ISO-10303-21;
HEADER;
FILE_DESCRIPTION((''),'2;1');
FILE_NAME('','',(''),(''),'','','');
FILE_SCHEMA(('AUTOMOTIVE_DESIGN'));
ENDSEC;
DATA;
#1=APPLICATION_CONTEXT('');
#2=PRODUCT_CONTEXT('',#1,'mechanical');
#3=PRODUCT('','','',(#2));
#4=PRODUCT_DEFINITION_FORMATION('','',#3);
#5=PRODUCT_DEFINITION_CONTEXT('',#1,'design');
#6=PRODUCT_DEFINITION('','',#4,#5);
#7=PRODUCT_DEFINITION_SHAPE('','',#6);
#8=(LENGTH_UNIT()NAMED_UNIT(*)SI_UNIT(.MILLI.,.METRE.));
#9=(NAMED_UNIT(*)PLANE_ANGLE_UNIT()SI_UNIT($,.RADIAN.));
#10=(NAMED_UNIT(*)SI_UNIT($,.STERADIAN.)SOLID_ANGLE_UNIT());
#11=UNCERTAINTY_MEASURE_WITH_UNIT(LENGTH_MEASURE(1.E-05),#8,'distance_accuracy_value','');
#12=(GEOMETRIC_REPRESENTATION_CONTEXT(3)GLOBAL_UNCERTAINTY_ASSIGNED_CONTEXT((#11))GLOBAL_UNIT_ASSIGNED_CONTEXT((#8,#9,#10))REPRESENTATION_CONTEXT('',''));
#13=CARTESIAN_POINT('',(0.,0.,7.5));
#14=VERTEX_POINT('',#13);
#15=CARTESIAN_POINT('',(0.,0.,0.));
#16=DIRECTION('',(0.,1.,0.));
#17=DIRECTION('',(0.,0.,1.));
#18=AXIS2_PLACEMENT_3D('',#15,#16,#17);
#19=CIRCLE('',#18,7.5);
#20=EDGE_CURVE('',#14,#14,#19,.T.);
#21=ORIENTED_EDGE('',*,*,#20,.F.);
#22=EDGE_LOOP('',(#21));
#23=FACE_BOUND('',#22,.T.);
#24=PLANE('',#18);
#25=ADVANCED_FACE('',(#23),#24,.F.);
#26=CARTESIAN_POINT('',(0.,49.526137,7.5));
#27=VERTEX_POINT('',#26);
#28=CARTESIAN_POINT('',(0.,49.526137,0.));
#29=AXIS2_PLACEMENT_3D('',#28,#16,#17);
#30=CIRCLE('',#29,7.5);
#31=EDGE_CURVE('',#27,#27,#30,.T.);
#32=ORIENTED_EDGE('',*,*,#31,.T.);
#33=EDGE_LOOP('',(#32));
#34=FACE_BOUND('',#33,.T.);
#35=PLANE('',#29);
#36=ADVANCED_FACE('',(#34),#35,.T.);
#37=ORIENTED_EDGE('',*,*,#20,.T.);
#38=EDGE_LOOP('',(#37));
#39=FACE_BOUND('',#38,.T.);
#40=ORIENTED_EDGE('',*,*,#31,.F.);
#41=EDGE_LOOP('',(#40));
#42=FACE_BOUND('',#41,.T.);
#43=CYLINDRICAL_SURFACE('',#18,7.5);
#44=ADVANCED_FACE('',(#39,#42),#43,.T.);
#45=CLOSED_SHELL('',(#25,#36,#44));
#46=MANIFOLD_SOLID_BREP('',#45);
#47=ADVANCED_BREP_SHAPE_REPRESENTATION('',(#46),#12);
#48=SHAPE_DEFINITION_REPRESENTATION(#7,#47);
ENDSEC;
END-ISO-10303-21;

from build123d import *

# Parameters (mm, degrees)
SKETCH1_R = 7.5


with BuildPart() as part:
    # Sweep2: sweep along a path in Sketch3
    with BuildLine(Plane.XY) as sweep2_path:
        Line((0, 0), (0, 49.526136737))
    # Sketch1 → Sweep2 (sweep)
    with BuildSketch(Plane(origin=(0, 0, 0), x_dir=(1, 0, 0), z_dir=(0, 1, 0))):
        Circle(SKETCH1_R)
    sweep(path=sweep2_path.line)


solid = part.part
